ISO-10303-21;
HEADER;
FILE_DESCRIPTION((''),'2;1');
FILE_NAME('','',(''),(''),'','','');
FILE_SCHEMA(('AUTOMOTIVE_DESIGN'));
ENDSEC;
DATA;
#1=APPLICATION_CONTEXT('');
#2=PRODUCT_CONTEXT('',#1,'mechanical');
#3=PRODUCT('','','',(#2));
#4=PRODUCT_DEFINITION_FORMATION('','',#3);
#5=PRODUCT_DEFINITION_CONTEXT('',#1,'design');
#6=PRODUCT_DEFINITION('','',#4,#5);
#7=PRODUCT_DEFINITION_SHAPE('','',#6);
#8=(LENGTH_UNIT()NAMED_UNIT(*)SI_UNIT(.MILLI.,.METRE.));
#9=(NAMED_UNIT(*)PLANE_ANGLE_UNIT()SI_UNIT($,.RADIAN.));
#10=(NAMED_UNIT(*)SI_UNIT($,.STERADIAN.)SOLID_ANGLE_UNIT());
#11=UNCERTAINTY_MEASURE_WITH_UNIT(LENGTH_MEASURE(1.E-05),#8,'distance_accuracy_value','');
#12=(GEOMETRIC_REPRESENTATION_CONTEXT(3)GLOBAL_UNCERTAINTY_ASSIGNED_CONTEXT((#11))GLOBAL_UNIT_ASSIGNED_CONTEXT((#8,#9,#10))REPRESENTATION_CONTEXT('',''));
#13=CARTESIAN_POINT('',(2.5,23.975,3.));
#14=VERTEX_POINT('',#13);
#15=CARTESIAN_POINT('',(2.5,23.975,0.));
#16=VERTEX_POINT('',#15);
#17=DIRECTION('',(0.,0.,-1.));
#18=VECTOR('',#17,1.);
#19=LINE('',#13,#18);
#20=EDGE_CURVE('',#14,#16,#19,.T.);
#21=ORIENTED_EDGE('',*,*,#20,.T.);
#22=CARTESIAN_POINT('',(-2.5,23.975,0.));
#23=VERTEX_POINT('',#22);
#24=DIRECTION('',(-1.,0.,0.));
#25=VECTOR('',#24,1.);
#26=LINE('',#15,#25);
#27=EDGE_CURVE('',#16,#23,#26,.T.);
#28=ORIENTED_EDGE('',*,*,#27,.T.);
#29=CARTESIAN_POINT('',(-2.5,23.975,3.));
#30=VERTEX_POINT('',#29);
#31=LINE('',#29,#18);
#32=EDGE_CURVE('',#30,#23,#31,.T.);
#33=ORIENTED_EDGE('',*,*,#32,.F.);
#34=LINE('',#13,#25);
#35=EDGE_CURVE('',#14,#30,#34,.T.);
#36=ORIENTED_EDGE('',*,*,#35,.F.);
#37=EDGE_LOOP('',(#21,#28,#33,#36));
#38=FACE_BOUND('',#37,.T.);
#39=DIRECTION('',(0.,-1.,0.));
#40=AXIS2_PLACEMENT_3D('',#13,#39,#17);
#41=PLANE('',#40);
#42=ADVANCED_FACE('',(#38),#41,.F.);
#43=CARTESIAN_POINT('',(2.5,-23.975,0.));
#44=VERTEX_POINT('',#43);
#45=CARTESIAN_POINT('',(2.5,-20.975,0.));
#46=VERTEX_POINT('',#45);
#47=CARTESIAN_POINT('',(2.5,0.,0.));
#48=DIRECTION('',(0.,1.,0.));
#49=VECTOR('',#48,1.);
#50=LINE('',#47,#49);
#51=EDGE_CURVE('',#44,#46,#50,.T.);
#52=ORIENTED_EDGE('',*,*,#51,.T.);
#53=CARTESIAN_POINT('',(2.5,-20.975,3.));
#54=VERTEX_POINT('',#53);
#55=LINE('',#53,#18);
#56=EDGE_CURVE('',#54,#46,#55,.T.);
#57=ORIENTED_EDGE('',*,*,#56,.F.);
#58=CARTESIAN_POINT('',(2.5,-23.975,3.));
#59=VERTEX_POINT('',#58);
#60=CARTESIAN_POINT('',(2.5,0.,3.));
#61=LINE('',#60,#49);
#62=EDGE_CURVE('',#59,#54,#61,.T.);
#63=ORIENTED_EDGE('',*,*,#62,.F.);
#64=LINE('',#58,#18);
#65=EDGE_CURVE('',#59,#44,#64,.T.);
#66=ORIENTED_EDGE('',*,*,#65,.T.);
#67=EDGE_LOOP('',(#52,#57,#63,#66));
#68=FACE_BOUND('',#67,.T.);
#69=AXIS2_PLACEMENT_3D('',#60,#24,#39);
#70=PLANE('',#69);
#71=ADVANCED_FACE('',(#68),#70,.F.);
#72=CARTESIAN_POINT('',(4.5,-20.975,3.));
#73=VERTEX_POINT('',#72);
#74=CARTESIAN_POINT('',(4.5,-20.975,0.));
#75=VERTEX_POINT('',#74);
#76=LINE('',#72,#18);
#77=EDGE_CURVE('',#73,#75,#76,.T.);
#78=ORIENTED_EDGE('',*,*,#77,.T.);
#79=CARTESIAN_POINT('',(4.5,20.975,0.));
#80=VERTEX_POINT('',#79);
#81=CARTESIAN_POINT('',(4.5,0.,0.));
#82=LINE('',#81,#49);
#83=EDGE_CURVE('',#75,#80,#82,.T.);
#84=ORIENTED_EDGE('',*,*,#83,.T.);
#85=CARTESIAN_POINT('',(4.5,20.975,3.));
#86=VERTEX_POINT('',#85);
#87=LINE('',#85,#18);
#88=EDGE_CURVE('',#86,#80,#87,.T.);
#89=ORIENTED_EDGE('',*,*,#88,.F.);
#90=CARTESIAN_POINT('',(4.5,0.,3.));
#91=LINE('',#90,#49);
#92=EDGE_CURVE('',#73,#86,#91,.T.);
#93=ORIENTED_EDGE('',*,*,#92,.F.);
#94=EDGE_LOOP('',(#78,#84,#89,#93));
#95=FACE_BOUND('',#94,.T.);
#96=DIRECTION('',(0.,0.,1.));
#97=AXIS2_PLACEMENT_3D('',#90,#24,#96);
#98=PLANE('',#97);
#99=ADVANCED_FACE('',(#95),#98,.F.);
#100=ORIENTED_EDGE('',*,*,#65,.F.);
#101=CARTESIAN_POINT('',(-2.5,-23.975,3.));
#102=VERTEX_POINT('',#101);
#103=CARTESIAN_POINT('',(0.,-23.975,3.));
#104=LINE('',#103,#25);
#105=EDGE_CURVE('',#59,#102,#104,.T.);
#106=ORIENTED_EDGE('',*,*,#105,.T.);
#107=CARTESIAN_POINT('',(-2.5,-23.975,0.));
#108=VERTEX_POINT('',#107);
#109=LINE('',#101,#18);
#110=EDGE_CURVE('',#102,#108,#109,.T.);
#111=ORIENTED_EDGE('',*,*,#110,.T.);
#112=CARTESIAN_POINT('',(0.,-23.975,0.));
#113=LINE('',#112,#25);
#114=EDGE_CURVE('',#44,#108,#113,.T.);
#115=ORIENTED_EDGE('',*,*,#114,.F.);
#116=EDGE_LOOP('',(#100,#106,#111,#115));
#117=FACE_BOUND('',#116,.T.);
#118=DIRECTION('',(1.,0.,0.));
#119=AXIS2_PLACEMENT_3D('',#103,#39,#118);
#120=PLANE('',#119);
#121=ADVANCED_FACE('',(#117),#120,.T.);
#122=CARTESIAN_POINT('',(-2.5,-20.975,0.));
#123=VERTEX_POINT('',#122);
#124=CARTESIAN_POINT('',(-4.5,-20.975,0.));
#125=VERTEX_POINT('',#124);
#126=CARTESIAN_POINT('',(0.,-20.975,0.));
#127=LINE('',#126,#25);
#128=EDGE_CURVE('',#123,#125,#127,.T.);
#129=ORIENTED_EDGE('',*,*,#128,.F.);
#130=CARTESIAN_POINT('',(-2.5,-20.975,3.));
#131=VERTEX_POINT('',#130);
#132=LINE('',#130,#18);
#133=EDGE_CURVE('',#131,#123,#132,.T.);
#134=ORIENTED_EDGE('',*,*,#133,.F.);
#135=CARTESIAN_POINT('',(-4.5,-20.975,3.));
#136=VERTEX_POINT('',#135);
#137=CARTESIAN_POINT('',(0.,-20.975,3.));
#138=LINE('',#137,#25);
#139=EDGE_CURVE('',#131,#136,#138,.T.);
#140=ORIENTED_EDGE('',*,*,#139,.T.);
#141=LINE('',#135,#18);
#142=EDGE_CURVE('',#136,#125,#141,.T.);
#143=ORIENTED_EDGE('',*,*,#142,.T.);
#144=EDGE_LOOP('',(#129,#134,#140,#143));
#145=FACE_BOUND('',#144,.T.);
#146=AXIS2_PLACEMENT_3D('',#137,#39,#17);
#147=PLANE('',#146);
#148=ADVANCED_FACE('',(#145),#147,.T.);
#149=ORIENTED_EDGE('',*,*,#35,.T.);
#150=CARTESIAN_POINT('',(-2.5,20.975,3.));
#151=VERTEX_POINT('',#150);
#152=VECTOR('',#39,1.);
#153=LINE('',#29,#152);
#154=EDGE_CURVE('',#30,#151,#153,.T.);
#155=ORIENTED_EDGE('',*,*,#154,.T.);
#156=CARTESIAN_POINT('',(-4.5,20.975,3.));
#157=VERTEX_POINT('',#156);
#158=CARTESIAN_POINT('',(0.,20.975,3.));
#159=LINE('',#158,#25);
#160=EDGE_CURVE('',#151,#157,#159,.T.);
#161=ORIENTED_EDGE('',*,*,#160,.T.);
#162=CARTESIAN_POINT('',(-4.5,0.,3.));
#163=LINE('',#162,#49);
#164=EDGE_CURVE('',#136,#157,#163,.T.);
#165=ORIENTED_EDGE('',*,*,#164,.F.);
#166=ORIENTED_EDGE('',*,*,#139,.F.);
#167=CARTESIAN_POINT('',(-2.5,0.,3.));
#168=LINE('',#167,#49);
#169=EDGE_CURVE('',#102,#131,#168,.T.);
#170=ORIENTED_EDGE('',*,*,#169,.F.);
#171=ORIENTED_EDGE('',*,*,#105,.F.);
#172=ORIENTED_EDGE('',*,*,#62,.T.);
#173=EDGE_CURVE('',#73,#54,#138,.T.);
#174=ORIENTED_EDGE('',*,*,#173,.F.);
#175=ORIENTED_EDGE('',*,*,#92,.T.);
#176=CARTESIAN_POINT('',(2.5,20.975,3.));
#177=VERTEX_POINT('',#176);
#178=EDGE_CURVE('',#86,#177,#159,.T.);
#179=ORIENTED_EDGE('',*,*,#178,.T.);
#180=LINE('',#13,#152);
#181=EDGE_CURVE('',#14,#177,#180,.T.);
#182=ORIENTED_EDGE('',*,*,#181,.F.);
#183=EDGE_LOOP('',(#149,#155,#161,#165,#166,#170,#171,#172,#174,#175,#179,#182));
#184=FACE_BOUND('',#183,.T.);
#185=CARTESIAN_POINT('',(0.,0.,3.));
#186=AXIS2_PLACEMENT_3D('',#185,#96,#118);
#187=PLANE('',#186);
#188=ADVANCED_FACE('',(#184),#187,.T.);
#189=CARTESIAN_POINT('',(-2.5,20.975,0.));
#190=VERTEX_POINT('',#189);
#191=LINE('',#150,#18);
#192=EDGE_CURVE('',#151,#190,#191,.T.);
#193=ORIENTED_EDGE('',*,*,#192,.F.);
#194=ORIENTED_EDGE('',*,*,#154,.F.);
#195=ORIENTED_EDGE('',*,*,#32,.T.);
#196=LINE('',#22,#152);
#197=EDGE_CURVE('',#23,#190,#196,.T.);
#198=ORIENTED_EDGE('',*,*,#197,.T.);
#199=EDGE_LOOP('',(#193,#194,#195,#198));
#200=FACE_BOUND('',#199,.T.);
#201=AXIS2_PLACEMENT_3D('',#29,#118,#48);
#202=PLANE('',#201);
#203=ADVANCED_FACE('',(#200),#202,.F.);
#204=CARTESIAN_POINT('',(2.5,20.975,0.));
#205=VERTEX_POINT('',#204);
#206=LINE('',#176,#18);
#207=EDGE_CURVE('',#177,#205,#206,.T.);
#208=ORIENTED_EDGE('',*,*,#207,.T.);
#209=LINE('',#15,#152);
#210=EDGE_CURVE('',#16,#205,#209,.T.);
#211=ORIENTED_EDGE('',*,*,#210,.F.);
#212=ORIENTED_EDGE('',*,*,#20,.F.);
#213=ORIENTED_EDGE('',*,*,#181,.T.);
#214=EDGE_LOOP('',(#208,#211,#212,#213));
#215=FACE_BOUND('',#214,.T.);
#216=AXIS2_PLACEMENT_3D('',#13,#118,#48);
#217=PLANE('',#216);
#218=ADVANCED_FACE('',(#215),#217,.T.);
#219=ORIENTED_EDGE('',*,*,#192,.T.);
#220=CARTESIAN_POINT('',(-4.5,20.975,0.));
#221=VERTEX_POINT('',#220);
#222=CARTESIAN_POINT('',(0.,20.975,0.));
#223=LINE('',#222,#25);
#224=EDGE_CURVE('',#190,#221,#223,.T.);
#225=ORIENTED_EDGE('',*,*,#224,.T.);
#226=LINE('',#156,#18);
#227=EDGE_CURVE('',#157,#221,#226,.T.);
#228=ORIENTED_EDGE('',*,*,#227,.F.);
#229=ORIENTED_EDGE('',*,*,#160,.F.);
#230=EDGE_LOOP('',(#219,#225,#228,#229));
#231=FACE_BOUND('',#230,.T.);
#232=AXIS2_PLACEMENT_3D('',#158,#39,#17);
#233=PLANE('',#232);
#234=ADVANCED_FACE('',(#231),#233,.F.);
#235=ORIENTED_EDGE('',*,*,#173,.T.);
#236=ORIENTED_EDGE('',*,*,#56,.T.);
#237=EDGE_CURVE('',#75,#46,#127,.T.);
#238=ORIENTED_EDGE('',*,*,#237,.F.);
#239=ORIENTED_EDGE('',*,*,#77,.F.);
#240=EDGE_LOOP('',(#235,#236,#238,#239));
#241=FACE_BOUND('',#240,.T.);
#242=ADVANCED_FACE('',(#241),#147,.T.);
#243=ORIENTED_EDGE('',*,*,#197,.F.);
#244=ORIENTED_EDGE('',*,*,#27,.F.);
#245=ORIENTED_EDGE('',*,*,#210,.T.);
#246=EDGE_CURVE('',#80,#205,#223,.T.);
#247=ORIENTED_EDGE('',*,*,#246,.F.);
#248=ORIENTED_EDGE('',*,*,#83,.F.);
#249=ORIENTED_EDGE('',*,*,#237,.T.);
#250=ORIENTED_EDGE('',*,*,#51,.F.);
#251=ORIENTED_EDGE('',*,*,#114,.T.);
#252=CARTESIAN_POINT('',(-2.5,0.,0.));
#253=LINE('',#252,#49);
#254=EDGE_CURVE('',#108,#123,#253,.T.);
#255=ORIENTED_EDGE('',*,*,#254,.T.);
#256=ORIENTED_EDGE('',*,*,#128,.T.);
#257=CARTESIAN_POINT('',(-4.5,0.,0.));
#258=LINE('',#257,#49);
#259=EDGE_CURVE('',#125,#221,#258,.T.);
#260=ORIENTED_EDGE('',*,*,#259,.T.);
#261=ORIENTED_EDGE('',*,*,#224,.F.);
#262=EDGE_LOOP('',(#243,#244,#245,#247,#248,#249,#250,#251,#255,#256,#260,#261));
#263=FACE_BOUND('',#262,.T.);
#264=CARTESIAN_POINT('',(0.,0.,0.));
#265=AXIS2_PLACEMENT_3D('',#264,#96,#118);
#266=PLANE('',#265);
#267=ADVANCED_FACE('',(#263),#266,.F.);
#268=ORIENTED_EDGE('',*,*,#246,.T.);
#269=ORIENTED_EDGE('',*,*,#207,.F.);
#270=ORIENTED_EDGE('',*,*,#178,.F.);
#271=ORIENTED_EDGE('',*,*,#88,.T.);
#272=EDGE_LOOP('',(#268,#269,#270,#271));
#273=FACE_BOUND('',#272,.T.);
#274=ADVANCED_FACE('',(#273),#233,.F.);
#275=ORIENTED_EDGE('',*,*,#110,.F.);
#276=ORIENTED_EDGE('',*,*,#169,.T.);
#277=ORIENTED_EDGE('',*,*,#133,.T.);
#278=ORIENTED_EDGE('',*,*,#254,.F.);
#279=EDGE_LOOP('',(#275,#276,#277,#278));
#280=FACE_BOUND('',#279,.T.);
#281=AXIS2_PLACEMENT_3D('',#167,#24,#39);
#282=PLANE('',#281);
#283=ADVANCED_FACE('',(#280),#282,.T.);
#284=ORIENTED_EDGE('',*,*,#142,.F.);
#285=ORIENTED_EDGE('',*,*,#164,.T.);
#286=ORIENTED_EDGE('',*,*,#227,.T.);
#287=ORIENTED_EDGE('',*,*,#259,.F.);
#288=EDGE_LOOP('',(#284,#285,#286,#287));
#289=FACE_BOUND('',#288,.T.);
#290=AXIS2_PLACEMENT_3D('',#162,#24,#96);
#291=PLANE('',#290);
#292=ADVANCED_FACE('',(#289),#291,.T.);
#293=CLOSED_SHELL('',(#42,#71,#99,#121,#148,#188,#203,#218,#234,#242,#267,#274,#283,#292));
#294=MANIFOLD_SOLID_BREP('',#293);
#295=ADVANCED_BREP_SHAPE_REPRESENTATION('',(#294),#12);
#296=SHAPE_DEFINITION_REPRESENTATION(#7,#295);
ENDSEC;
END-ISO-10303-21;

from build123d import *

# Parameters (mm, degrees)
SKETCH1_W           = 9
SKETCH1_H           = 41.95
SKETCH1_W_2         = 5
SKETCH1_H_2         = 3
BOSS_EXTRUDE1_DEPTH = 3


with BuildPart() as part:
    # Sketch1 → Boss-Extrude1 (new body)
    with BuildSketch(Plane.XY):
        Rectangle(SKETCH1_W, SKETCH1_H)
        with Locations((0, -22.475)):
            Rectangle(SKETCH1_W_2, SKETCH1_H_2)
        with Locations((0, 22.475)):
            Rectangle(SKETCH1_W_2, SKETCH1_H_2)
    extrude(amount=BOSS_EXTRUDE1_DEPTH)


solid = part.part
